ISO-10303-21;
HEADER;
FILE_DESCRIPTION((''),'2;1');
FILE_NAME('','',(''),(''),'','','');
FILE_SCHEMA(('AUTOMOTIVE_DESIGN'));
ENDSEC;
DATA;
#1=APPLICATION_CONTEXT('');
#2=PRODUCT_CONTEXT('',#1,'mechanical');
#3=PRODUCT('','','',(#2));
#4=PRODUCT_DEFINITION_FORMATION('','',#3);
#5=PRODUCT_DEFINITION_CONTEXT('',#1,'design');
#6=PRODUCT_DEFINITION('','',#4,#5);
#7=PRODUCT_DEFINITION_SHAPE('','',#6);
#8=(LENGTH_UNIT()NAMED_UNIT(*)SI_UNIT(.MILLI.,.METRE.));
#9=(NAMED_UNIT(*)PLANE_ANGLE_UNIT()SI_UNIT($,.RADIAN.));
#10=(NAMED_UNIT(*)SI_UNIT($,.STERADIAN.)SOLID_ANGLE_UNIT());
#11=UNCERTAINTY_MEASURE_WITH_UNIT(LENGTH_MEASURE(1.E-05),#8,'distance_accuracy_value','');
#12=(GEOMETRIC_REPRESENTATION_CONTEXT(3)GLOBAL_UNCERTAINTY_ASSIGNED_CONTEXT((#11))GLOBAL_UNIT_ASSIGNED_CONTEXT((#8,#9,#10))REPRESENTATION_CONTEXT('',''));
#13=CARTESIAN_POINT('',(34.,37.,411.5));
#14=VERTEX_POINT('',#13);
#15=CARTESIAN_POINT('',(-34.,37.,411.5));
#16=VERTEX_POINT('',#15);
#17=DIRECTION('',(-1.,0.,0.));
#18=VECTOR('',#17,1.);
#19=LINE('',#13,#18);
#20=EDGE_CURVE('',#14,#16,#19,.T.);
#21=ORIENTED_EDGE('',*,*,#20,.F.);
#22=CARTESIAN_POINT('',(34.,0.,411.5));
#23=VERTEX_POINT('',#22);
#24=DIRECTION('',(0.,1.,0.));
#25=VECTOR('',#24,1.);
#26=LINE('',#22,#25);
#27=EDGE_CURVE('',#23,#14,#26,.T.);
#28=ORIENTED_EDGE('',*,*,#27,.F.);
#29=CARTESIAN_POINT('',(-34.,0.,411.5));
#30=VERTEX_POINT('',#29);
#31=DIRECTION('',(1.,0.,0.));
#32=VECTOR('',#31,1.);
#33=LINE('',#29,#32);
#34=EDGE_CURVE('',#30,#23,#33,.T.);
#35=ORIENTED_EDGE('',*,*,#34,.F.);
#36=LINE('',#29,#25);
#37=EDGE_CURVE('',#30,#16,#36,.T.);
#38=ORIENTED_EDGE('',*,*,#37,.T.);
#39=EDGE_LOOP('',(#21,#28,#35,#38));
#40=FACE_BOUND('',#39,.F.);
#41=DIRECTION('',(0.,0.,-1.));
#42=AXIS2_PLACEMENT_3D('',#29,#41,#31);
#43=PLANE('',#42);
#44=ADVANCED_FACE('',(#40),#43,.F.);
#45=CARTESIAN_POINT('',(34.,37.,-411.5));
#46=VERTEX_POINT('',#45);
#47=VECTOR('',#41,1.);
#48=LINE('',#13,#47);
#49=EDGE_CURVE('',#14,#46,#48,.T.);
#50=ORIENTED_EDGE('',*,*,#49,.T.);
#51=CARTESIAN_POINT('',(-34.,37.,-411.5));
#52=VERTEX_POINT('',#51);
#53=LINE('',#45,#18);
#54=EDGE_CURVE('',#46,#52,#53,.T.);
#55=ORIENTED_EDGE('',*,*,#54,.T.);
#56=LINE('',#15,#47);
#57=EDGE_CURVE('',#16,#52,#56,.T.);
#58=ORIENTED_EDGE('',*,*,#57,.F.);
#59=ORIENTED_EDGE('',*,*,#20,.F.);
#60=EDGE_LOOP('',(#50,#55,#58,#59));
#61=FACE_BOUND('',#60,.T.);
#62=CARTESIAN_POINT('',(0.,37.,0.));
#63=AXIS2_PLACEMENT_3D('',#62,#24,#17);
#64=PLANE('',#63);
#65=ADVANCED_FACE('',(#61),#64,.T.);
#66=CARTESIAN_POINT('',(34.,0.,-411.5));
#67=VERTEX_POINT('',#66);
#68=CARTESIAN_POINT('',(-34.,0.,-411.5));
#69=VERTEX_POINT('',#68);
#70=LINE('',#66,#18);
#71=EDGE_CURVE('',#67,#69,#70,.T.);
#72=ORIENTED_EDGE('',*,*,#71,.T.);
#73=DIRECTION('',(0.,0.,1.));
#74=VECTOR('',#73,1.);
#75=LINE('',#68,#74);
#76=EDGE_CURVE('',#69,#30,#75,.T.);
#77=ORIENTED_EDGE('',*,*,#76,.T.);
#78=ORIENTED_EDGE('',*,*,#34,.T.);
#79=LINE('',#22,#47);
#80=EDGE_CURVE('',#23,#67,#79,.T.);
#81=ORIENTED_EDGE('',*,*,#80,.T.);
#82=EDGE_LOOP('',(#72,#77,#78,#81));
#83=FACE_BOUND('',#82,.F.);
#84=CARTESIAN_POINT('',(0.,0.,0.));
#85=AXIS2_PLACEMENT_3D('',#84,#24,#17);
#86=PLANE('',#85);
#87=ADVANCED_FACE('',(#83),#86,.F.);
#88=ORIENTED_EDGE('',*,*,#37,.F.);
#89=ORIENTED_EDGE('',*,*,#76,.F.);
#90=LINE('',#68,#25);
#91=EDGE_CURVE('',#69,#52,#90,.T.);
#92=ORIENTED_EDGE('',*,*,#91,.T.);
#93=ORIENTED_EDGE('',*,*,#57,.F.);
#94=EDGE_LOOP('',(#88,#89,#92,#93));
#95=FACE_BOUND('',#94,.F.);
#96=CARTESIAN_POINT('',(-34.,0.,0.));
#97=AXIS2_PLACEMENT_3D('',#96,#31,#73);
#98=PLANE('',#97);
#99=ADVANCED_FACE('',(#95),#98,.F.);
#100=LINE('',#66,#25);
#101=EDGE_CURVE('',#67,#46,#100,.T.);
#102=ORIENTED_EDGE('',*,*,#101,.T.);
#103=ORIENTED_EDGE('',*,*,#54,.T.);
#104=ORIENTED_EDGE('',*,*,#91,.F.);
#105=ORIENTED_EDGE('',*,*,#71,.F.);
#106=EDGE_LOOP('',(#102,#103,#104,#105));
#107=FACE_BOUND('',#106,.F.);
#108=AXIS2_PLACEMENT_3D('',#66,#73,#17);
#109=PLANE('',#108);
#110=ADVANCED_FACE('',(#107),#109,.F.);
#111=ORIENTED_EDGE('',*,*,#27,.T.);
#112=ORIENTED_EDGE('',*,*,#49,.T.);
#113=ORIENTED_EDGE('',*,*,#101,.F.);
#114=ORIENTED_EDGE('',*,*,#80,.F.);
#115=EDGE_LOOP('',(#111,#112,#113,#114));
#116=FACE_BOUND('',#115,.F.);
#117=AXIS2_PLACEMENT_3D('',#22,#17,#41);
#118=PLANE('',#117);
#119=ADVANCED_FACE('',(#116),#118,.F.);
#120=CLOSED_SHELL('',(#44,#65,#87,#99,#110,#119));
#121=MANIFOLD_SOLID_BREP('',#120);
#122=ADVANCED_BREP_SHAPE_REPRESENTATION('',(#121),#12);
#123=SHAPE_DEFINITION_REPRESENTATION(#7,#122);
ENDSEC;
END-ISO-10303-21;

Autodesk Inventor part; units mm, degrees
ref_plane "YZ Plane" through (0, 0, 0) normal (1, 0, 0) x (0, 1, 0)
ref_plane "XZ Plane" through (0, 0, 0) normal (0, 1, 0) x (-1, 0, 0)
ref_plane "XY Plane" through (0, 0, 0) normal (0, 0, 1) x (1, 0, 0)
sketch "Boceto1" plane through (0, 0, 0) normal (0, 1, 0) x (-1, 0, 0)
  line L0 (34, 411.5) -> (-34, 411.5)
  line L1 (-34, 411.5) -> (-34, -411.5)
  line L2 (-34, -411.5) -> (34, -411.5)
  line L3 (34, -411.5) -> (34, 411.5)
  line L4 (0, 0) -> (0, 553.1756)
  line L5 (0, 0) -> (291.1825, 0)
  dimension "d0" = 823
  dimension "d1" = 68
extrude "Extrusión1" add sketch "Boceto1" along normal blind 37
properties part number "Madera"
